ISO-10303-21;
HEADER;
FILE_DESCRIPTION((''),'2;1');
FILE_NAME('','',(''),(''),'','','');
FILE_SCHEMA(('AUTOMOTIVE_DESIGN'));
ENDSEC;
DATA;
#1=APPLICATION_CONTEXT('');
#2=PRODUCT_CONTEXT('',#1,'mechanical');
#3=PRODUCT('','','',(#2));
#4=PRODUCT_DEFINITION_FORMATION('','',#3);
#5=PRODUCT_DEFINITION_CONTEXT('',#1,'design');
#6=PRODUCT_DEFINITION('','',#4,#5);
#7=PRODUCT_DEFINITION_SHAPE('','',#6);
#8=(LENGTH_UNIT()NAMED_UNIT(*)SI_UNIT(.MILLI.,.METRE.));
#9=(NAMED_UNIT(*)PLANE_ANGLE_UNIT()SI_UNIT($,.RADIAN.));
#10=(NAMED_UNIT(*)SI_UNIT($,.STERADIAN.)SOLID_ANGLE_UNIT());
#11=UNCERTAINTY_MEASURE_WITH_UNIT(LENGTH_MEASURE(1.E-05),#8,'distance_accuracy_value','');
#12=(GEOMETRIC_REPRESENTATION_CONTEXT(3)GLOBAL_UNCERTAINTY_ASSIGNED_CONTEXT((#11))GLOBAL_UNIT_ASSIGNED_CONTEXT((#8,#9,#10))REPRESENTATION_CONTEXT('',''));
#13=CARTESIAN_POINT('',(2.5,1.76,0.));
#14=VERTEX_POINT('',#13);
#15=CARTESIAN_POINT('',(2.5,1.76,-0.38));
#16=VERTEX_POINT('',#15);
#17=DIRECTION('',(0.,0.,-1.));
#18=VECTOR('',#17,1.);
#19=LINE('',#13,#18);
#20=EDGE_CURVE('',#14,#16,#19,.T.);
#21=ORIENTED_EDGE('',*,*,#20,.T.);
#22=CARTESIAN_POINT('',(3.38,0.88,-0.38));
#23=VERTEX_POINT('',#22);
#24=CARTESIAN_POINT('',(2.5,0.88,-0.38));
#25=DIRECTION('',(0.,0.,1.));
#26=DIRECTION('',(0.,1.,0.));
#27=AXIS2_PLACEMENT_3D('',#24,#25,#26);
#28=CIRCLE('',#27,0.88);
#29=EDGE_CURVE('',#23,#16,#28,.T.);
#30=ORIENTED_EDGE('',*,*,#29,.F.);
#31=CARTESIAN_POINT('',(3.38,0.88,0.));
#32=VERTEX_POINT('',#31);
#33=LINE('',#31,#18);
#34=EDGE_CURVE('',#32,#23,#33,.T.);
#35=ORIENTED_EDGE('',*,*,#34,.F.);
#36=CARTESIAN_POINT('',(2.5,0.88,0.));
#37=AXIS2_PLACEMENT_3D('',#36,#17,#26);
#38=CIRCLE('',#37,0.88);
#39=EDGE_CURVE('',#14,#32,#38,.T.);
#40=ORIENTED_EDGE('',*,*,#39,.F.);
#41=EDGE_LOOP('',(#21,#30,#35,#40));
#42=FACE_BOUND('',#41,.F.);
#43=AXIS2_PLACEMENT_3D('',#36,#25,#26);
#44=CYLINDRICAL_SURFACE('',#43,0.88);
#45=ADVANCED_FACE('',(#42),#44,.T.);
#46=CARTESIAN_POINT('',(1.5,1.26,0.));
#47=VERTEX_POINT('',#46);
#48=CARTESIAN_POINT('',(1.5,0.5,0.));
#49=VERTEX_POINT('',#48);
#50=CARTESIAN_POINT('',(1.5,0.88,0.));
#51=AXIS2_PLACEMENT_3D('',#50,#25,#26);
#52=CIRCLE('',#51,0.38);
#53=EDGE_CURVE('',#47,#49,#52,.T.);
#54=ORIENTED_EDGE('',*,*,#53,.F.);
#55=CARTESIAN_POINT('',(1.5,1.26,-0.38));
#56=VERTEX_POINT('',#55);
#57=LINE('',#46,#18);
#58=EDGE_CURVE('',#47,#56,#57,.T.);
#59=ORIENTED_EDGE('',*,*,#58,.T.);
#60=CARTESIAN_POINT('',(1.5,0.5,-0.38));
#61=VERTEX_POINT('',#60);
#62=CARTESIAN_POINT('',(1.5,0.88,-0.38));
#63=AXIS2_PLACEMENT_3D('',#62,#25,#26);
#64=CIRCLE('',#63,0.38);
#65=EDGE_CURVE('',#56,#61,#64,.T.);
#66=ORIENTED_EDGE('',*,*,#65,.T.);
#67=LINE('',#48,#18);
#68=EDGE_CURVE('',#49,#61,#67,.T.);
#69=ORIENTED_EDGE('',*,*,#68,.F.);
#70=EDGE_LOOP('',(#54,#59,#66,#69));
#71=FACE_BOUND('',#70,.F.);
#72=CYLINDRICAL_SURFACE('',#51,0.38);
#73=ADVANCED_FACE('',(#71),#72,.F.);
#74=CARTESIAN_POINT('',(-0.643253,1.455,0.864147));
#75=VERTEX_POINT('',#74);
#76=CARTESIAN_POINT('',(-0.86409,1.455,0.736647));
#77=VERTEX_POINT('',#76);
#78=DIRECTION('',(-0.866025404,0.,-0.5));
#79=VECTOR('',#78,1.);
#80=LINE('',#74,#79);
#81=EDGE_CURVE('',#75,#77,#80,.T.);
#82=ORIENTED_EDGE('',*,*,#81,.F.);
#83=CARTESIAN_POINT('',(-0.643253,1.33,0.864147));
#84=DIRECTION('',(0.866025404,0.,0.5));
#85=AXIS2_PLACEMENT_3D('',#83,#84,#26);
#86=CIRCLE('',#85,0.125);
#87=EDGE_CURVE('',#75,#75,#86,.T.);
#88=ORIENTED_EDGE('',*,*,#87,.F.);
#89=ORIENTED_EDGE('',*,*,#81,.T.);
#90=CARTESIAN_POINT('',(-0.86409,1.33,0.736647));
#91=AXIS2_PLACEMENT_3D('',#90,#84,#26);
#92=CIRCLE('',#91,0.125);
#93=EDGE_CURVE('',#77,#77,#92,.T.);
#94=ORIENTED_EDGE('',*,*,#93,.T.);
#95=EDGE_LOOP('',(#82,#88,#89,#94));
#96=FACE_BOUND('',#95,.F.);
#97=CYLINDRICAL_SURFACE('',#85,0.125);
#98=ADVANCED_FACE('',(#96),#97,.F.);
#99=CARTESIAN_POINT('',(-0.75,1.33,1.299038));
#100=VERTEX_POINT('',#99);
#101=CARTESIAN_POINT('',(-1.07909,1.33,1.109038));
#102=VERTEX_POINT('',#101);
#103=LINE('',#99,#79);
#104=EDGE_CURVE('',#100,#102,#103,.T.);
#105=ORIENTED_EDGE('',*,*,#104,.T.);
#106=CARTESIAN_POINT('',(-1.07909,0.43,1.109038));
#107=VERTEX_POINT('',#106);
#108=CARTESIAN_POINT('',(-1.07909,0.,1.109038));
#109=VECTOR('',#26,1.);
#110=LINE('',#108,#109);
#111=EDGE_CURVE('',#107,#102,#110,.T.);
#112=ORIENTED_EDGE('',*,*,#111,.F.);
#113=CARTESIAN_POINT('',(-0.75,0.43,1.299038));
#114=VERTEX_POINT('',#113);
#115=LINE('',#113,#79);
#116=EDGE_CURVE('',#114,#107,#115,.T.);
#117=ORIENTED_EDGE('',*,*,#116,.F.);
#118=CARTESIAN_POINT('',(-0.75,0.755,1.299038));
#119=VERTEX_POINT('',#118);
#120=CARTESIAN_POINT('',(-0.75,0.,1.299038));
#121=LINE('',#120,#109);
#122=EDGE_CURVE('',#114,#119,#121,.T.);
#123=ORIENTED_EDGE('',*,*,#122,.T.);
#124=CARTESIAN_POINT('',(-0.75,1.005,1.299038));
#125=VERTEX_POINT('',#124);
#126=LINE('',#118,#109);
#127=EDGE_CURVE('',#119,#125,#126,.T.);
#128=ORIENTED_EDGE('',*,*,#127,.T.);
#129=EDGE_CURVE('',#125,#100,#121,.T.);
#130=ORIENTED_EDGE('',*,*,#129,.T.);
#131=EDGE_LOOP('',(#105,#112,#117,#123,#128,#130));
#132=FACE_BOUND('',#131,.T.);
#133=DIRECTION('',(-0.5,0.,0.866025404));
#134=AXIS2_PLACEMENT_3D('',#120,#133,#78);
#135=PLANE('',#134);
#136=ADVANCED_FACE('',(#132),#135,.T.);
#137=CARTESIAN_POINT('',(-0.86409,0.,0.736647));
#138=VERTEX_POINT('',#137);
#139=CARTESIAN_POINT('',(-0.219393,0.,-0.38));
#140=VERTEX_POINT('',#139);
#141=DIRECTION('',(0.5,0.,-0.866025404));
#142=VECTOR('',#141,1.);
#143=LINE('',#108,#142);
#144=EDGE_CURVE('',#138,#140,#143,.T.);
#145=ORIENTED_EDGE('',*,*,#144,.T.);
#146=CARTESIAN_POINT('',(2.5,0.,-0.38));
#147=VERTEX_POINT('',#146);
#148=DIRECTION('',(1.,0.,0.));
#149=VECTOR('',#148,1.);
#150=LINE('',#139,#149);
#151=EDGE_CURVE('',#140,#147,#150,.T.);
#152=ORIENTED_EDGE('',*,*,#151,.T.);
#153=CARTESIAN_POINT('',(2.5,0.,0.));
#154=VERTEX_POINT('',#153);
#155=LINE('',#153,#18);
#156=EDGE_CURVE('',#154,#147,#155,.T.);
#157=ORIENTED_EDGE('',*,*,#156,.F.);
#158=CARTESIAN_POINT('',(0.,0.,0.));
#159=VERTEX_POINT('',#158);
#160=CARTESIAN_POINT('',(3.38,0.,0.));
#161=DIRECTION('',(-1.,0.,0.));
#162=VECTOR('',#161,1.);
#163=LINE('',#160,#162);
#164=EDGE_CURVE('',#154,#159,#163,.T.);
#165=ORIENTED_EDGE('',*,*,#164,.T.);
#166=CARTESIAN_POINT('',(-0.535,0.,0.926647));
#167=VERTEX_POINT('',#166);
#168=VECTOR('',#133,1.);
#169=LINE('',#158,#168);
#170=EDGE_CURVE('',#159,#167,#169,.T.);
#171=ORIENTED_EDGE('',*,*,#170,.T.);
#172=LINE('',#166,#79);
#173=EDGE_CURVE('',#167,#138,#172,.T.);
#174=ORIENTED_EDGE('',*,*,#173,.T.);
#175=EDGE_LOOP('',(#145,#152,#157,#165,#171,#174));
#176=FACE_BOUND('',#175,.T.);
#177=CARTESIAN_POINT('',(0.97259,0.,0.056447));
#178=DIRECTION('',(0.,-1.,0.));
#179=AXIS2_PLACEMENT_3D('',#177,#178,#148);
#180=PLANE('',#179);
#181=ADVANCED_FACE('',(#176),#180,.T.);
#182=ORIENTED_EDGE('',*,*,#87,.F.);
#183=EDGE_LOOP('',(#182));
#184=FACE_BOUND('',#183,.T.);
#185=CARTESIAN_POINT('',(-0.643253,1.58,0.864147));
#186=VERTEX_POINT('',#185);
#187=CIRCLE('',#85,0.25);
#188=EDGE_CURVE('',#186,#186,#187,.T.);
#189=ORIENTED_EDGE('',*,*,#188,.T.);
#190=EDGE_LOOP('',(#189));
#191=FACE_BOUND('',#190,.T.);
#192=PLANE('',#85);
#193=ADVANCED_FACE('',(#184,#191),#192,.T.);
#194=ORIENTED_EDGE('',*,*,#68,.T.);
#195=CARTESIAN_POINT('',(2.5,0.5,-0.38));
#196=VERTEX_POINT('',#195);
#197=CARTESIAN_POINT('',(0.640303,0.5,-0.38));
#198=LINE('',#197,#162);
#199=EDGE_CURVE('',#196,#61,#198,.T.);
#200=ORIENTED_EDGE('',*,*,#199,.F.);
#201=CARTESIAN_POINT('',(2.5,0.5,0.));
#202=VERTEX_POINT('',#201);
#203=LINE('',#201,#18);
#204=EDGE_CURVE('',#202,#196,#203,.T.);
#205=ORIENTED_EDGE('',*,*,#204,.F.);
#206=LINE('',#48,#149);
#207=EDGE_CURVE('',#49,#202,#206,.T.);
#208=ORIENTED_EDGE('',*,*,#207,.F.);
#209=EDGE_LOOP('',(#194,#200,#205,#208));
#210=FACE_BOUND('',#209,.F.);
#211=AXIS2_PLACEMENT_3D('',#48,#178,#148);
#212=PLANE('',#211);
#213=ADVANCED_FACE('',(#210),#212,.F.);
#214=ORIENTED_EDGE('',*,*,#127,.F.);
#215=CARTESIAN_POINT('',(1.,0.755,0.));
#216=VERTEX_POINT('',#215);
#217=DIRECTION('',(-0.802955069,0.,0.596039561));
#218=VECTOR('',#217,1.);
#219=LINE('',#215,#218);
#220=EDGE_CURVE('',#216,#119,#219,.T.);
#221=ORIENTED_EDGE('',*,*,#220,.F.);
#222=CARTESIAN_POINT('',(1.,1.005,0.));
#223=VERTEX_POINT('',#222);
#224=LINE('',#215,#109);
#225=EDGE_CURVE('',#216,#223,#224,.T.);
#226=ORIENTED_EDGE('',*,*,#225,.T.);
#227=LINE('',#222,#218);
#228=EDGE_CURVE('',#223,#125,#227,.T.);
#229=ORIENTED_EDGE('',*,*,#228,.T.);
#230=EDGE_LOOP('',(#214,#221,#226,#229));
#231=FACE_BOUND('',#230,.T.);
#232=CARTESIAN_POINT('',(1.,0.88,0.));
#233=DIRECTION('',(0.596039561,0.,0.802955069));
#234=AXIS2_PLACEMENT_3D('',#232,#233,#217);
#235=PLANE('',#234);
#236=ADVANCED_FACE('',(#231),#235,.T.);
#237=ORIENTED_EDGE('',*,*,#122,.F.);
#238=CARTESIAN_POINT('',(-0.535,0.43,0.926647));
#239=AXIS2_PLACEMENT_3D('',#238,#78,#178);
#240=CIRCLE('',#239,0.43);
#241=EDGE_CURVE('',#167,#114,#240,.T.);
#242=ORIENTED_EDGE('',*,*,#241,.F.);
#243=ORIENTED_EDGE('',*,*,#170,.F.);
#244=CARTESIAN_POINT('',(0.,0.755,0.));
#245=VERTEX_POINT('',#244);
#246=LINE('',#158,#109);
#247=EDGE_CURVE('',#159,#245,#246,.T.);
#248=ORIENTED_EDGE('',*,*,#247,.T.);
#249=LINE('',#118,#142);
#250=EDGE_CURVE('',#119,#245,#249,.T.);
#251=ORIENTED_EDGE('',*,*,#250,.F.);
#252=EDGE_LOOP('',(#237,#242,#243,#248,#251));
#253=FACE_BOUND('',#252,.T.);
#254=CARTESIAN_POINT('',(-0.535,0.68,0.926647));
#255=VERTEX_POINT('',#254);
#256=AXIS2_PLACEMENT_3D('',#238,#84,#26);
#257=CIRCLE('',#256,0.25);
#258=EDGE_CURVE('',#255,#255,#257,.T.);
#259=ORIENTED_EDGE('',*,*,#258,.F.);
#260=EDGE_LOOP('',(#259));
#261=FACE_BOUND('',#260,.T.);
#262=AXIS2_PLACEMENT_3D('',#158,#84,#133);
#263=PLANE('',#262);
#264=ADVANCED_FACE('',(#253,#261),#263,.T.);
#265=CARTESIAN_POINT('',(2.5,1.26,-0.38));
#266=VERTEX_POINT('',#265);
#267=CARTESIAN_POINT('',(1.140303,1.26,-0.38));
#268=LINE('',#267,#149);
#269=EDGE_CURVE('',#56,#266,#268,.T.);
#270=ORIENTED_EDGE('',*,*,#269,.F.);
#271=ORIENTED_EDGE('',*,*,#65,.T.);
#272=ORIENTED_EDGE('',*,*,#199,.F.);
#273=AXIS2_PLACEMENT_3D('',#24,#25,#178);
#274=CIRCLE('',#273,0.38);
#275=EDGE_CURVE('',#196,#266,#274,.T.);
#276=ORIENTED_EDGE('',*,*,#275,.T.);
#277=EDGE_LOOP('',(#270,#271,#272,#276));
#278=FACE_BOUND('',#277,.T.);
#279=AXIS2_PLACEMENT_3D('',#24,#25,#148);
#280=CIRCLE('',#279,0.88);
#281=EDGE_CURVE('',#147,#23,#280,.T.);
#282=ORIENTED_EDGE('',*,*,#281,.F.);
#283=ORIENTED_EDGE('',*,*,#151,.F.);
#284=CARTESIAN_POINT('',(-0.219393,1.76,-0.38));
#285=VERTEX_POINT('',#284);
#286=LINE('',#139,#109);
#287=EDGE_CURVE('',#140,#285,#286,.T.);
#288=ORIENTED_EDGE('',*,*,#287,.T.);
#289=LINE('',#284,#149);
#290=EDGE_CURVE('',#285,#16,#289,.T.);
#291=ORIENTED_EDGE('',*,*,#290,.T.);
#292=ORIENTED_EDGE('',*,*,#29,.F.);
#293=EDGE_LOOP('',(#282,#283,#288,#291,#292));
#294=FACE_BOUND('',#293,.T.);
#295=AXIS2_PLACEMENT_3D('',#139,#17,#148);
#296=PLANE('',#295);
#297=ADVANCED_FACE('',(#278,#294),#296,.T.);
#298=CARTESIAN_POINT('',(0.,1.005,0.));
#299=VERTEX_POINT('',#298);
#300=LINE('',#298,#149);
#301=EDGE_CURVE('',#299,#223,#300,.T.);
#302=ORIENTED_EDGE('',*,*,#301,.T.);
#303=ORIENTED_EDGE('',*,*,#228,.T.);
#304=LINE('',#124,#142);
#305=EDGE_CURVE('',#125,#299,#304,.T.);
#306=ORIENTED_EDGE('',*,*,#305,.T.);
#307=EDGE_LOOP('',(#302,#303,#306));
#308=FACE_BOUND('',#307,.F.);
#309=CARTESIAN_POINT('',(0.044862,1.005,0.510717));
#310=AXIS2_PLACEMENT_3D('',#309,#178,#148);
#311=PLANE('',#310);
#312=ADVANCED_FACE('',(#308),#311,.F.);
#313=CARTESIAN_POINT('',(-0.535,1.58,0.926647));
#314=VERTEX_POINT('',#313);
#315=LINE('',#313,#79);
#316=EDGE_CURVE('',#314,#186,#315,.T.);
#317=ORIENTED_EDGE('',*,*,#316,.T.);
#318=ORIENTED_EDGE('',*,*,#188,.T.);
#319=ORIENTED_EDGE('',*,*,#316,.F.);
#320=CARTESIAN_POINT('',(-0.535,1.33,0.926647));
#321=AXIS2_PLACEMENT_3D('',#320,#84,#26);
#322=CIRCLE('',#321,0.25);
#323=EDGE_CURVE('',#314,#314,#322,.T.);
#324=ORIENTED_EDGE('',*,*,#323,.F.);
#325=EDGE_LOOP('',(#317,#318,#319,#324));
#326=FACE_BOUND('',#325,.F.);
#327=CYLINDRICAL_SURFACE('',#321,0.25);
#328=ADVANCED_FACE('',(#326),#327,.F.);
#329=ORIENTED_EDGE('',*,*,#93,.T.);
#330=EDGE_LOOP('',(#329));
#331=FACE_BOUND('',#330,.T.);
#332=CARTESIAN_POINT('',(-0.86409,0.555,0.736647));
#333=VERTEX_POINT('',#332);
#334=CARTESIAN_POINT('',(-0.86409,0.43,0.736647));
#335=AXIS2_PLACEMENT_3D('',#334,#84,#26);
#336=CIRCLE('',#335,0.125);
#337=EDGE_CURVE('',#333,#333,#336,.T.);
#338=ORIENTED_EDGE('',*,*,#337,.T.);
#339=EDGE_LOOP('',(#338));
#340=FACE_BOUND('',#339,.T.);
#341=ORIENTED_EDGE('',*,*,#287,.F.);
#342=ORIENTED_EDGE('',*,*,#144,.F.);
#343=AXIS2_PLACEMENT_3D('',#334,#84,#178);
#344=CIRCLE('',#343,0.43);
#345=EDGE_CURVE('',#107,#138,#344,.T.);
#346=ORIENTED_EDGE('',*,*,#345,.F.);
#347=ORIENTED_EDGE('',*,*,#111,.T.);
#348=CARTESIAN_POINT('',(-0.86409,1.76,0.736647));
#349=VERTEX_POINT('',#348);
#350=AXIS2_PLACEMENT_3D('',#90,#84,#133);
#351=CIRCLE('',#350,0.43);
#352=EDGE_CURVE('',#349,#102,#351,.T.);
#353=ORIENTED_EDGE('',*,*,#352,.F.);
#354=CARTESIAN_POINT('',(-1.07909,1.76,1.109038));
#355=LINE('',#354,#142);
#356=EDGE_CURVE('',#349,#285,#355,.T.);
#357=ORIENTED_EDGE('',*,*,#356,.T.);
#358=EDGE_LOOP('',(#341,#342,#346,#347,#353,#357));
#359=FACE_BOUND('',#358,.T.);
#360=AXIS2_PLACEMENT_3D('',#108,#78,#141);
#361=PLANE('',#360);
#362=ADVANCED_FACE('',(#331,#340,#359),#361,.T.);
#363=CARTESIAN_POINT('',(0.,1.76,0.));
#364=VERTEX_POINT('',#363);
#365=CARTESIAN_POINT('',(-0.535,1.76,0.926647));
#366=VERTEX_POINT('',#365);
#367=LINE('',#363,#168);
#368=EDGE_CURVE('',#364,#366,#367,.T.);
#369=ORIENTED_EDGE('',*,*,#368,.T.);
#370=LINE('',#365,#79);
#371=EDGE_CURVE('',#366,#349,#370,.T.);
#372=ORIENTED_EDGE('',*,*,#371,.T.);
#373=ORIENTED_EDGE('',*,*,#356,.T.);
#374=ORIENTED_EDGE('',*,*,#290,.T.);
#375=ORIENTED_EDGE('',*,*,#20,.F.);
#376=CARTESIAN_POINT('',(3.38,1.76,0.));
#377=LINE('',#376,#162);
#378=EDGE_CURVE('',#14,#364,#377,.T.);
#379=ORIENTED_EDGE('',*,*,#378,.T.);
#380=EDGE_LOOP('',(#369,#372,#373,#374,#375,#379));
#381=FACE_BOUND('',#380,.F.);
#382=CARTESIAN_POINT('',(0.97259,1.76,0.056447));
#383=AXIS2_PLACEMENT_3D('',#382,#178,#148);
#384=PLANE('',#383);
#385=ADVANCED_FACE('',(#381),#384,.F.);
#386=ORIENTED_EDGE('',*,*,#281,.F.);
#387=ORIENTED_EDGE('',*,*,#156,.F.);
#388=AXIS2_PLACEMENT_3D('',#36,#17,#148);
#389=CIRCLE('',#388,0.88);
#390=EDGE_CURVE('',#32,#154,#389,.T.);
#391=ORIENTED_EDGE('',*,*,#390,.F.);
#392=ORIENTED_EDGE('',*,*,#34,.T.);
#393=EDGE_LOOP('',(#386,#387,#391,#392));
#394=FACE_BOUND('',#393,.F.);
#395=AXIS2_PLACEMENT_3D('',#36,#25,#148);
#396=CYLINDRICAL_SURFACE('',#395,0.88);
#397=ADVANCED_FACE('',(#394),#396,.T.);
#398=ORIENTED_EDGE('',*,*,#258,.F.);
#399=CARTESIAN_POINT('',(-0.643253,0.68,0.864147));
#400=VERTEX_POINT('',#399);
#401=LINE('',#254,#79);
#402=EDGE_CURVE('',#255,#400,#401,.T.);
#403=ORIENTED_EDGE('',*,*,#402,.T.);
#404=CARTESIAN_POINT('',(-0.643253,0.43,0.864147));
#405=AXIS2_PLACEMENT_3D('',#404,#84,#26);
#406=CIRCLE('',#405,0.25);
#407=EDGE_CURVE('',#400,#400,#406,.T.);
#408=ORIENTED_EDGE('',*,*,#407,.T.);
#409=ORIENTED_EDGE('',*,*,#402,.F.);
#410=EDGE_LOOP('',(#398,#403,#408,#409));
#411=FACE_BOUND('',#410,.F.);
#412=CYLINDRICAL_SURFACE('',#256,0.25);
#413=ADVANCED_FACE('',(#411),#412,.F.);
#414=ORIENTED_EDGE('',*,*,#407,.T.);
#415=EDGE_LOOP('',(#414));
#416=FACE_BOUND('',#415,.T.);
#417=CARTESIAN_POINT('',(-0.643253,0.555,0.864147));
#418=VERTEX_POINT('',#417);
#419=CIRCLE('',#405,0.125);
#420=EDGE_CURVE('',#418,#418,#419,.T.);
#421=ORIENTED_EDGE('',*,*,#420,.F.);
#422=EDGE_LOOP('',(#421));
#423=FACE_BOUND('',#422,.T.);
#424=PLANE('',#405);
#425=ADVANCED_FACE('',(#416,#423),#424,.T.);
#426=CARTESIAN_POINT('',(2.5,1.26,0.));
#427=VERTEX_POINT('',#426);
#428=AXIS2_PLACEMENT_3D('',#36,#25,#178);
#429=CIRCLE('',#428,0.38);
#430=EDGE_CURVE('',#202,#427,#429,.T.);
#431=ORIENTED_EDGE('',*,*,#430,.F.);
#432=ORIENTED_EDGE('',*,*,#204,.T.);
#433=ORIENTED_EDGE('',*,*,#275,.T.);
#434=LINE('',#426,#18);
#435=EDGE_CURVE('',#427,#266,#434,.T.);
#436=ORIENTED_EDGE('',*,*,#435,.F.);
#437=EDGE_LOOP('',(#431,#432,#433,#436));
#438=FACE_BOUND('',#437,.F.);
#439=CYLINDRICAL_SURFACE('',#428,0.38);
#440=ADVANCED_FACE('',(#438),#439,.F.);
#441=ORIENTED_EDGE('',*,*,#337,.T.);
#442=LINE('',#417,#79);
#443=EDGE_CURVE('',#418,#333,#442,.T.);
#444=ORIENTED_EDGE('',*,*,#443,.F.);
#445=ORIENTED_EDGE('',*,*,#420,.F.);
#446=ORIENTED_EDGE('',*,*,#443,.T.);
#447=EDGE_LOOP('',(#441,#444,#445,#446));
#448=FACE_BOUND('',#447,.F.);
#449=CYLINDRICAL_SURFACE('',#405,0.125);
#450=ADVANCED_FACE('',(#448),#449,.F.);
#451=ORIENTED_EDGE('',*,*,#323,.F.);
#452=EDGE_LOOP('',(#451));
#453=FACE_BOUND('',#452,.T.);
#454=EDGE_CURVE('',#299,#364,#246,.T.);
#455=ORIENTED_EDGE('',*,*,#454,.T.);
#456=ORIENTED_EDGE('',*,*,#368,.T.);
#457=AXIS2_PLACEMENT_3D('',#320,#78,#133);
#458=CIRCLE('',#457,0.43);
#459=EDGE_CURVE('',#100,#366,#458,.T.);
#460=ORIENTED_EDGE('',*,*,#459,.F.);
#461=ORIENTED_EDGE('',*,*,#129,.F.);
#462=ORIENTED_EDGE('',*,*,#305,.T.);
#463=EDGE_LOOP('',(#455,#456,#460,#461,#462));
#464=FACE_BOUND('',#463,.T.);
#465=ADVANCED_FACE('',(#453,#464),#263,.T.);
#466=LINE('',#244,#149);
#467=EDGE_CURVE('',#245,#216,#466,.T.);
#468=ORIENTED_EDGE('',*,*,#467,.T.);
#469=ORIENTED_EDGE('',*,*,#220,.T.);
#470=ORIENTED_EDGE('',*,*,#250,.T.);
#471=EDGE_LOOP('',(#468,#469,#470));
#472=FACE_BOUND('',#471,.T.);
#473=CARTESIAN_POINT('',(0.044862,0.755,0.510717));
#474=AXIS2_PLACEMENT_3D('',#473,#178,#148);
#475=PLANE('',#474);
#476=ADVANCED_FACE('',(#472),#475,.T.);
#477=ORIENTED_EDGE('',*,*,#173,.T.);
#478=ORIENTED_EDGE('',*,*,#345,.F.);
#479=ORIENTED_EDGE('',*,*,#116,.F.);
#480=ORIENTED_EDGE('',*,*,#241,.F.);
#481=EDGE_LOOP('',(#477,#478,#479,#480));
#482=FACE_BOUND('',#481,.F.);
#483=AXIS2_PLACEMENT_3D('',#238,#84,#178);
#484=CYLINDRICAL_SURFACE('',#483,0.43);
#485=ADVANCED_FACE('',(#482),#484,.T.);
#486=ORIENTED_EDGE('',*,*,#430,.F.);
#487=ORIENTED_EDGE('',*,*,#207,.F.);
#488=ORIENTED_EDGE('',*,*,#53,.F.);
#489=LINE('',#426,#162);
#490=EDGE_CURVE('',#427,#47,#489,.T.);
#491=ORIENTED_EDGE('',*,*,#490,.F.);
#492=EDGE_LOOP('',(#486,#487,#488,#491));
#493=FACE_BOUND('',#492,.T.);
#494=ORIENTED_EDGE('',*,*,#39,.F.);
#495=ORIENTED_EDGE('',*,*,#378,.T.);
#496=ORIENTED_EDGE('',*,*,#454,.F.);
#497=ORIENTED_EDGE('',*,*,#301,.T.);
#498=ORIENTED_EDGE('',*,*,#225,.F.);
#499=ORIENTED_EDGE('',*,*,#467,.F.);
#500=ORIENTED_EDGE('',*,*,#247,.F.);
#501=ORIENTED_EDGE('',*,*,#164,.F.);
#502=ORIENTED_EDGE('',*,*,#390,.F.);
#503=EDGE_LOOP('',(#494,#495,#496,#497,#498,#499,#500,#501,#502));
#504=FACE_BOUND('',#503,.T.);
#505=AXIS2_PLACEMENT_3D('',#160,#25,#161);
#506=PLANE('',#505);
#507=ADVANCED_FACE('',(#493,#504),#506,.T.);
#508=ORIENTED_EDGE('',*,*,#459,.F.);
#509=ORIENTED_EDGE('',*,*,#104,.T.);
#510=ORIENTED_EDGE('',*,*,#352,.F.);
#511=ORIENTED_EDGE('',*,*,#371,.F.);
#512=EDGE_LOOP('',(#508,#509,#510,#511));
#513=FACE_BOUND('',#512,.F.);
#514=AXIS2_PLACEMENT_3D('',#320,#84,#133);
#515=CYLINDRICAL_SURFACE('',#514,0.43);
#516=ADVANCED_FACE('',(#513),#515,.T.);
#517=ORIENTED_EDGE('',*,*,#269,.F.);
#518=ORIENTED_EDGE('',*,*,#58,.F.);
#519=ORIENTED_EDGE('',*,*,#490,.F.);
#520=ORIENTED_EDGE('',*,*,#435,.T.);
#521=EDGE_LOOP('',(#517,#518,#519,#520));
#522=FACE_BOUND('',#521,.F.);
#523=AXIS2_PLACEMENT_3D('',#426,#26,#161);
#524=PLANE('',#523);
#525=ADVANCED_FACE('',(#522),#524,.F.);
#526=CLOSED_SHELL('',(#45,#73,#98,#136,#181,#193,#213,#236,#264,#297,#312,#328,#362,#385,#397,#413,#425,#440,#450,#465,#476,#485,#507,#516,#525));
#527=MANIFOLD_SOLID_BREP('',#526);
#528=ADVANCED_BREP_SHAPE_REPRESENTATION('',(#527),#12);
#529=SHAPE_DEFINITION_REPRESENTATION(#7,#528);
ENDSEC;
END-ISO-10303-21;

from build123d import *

# Parameters (mm, degrees)
F1_DEPTH  = 1.76
F3_DEPTH  = 25
F4_R      = 0.25
F5_DEPTH  = 0.125
F6_DEPTH  = 25
F8_R      = 0.125
F9_DEPTH  = 25
F12_DEPTH = 0.125


with BuildPart() as f1:
    # F0 (on Front) → F1 (new body)
    with BuildSketch(Plane.XZ):
        Polygon((2.5, 0), (0, 0), (-0.75, 1.2990381057), (-1.0790896534, 1.1090381057), (-0.2193931023, -0.38), (3.38, -0.38), (3.38, 0), align=None)
    extrude(amount=-F1_DEPTH)

    # F2 (on face) → F3 (cut)
    with BuildSketch(Plane.XY):
        with BuildLine():
            Line((1.5, 0.5), (2.5, 0.5))
            ThreePointArc((2.5, 0.5), (2.88, 0.88), (2.5, 1.26))
            Line((2.5, 1.26), (1.5, 1.26))
            ThreePointArc((1.5, 1.26), (1.12, 0.88), (1.5, 0.5))
        make_face()
        with BuildLine():
            ThreePointArc((2.5, 1.76), (3.1222539674, 1.5022539674), (3.38, 0.88))
            Line((3.38, 0.88), (3.38, 1.76))
            Line((3.38, 1.76), (2.5, 1.76))
        make_face()
        with BuildLine():
            ThreePointArc((3.38, 0.88), (3.1222539674, 0.2577460326), (2.5, 0))
            Line((2.5, 0), (3.38, 0))
            Line((3.38, 0), (3.38, 0.88))
        make_face()
    extrude(amount=-F3_DEPTH, mode=Mode.SUBTRACT)

    # F4 (on face) → F5 (cut)
    with BuildSketch(Plane(origin=(0, 0, 0), x_dir=(0, 1, 0), z_dir=(0.8660254038, 0, 0.5))):
        with Locations((0.43, 1.07)):
            Circle(F4_R)
        with Locations((1.33, 1.07)):
            Circle(F4_R)
    extrude(amount=-F5_DEPTH, mode=Mode.SUBTRACT)

    # F4 (on face) → F6 (cut)
    with BuildSketch(Plane(origin=(0, 0, 0), x_dir=(0, 1, 0), z_dir=(0.8660254038, 0, 0.5))):
        with BuildLine():
            ThreePointArc((1.33, 1.5), (1.6340559159, 1.3740559159), (1.76, 1.07))
            Line((1.76, 1.07), (1.76, 1.5))
            Line((1.76, 1.5), (1.33, 1.5))
        make_face()
        with BuildLine():
            ThreePointArc((0, 1.07), (0.1259440841, 1.3740559159), (0.43, 1.5))
            Line((0.43, 1.5), (0, 1.5))
            Line((0, 1.5), (0, 1.07))
        make_face()
    extrude(amount=-F6_DEPTH, mode=Mode.SUBTRACT)

    # F8 (on offset) → F9 (cut)
    with BuildSketch(Plane(origin=(-0.1082531755, 0, -0.0625), x_dir=(0, 1, 0), z_dir=(0.8660254038, 0, 0.5))):
        with Locations((0.43, 1.07)):
            Circle(F8_R)
        with Locations((1.33, 1.07)):
            Circle(F8_R)
    extrude(amount=-F9_DEPTH, mode=Mode.SUBTRACT)

    # F11 (on offset) → F12 (join, symmetric)
    with BuildSketch(Plane.XZ.offset(-0.88)):
        Polygon((-0.75, 1.2990381057), (0, 0), (1, 0), align=None)
    extrude(amount=F12_DEPTH, both=True)


solid = f1.part
